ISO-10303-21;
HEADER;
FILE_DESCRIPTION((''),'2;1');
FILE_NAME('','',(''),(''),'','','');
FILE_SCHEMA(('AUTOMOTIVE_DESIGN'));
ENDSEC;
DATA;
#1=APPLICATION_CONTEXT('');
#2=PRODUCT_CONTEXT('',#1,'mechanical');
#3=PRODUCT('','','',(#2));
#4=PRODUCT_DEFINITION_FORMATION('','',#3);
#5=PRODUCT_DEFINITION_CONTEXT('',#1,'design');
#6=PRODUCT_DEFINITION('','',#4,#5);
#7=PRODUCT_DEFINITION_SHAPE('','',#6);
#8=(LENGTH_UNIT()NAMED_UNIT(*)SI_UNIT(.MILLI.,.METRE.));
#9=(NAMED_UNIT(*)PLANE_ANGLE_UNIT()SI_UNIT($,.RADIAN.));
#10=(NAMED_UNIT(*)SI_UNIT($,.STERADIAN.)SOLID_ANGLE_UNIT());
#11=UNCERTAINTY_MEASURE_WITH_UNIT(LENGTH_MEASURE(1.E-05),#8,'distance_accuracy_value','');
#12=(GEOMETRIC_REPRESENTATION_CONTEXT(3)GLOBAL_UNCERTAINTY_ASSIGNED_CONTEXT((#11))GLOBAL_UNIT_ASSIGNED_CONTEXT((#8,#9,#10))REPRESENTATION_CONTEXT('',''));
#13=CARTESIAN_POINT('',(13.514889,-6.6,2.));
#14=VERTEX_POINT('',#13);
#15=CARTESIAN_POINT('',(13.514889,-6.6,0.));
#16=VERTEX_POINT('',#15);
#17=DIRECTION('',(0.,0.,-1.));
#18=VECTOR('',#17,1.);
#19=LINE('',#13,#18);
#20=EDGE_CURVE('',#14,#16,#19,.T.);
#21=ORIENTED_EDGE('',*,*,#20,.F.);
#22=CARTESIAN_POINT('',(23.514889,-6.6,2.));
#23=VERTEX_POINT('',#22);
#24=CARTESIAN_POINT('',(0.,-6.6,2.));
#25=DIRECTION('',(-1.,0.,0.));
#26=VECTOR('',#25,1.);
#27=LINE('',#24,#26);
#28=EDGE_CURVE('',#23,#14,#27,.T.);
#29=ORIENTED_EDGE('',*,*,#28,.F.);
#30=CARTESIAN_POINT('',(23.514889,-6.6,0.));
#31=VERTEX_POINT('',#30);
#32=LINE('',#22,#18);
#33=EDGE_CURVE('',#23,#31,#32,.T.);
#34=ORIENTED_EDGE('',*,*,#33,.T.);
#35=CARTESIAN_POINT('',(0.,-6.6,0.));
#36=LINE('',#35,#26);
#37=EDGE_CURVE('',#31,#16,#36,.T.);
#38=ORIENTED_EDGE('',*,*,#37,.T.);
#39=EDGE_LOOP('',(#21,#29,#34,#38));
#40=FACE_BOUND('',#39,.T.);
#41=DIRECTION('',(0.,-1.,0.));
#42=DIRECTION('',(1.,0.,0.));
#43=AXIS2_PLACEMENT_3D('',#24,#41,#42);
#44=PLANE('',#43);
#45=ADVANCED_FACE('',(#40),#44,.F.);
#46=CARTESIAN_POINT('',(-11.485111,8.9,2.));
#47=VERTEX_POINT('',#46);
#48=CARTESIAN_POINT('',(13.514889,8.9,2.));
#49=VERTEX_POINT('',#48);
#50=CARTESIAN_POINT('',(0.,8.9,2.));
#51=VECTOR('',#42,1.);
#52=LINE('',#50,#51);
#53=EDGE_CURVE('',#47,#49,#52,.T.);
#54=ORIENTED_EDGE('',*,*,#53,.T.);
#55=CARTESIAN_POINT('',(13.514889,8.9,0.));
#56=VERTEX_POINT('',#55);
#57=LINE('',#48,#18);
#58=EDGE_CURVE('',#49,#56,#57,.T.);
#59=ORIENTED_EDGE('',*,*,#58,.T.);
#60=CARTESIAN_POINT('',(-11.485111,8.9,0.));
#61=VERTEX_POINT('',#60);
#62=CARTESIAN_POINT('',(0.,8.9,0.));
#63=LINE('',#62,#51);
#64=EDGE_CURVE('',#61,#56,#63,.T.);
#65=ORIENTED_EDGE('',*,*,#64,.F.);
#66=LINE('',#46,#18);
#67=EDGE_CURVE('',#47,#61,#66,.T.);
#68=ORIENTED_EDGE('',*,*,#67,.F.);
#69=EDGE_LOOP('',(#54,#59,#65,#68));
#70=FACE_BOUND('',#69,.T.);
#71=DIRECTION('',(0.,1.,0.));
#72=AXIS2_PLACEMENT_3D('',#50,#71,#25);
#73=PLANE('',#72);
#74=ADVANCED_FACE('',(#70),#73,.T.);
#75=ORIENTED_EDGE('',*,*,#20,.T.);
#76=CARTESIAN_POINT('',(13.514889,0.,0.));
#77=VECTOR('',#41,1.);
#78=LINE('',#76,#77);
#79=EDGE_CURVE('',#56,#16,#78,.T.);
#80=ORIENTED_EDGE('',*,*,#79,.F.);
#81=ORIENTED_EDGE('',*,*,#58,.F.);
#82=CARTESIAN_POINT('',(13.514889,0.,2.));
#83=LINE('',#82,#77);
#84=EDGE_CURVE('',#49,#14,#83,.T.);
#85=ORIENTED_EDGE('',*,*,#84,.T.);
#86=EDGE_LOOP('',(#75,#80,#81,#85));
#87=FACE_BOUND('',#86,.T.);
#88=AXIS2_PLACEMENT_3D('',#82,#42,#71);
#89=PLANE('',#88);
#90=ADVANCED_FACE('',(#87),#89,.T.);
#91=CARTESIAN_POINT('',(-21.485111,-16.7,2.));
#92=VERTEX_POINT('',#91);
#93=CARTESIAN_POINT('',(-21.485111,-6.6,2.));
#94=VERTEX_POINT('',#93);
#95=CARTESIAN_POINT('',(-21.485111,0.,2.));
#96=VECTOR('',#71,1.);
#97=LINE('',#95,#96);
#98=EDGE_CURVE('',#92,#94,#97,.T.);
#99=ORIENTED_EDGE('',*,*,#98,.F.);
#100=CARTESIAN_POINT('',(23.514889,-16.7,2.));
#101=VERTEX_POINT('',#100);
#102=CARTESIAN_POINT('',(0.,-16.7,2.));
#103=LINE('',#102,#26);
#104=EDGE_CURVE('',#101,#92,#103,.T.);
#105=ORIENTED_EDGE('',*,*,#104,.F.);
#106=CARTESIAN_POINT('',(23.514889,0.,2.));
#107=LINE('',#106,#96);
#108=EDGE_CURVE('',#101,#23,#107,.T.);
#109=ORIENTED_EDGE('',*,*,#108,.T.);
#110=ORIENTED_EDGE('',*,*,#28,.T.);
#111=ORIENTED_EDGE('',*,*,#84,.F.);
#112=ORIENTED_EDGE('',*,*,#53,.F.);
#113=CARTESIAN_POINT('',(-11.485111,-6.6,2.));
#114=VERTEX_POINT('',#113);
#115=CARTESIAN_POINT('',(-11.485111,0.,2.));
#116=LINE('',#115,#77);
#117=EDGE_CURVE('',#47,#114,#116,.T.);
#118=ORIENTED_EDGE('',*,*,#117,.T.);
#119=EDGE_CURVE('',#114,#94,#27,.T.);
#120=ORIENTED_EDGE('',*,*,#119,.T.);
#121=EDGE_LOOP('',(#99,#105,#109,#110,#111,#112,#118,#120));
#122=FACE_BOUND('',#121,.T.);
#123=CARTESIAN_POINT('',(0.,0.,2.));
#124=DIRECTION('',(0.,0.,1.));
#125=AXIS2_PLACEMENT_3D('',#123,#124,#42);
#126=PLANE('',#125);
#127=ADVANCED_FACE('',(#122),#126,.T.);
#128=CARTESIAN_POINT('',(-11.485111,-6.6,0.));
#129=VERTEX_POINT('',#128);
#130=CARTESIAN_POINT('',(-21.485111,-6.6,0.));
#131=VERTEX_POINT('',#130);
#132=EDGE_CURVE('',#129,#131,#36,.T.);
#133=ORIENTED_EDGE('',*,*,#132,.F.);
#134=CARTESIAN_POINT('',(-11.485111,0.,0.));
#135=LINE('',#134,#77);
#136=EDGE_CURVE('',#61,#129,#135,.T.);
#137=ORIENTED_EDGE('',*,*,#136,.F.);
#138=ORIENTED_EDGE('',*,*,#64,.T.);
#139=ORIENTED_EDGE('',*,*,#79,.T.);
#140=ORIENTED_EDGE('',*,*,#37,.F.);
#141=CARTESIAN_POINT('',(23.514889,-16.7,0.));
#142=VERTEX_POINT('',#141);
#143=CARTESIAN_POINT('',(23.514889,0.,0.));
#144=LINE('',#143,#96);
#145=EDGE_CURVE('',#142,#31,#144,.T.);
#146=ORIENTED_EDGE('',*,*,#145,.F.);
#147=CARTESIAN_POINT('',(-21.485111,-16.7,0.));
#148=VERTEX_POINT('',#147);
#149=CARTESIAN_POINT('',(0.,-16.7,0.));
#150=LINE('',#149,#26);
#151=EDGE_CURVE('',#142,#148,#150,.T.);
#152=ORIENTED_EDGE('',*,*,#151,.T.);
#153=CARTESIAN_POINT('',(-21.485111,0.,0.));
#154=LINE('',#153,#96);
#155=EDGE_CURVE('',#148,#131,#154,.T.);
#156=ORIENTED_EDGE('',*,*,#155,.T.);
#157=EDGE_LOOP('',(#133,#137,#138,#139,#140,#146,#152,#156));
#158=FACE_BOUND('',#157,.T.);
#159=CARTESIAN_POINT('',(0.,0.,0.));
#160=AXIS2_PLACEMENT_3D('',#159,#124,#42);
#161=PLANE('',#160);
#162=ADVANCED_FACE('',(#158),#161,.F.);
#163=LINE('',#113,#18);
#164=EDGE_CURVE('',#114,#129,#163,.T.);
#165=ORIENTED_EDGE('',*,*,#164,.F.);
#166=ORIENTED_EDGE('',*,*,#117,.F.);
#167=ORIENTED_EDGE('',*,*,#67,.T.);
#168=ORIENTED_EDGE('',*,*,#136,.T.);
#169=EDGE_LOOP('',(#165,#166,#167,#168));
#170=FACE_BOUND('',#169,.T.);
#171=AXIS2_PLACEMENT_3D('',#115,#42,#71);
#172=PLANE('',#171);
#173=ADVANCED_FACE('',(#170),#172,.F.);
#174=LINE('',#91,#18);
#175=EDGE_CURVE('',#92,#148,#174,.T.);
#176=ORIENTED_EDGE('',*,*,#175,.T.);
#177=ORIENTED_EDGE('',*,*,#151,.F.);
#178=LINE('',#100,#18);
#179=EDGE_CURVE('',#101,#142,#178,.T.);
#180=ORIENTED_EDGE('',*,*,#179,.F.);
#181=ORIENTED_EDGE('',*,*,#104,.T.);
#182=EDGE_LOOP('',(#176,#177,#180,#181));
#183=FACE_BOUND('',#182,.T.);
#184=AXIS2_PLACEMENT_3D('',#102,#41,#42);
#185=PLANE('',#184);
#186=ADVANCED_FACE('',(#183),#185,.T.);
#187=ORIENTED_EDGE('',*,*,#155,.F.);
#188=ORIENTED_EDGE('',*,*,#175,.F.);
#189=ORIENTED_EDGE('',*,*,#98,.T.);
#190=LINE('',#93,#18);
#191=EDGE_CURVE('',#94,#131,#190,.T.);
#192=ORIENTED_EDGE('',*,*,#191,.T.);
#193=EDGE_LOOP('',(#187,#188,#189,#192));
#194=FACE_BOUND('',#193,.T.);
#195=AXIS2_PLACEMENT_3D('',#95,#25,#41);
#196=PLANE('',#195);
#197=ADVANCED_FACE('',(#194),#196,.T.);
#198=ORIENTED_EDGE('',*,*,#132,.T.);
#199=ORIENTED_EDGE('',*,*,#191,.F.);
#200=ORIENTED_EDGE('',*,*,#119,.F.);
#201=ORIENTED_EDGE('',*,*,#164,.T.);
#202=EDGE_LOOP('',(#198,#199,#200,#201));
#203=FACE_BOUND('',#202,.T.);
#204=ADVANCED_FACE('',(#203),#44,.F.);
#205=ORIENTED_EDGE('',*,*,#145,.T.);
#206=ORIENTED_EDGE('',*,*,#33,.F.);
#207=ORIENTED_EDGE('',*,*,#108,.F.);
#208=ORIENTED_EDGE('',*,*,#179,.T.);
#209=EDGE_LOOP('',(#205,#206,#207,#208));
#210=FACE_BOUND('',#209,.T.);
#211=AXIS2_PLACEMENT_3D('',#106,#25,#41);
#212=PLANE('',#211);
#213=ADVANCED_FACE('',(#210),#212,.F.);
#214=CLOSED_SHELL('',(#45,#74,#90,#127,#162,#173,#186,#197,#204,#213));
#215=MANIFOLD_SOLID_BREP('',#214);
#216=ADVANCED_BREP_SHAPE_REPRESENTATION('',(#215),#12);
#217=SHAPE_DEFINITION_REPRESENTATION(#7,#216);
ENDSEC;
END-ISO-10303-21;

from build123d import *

# Parameters (mm, degrees)
SKETCH1_W           = 45
SKETCH1_H           = 10.1
SKETCH1_W_2         = 25
SKETCH1_H_2         = 15.5
BOSS_EXTRUDE1_DEPTH = 2


with BuildPart() as part:
    # Sketch1 → Boss-Extrude1 (new body)
    with BuildSketch(Plane.XY):
        with Locations((1.014889157, -11.65)):
            Rectangle(SKETCH1_W, SKETCH1_H)
        with Locations((1.014889157, 1.15)):
            Rectangle(SKETCH1_W_2, SKETCH1_H_2)
    extrude(amount=BOSS_EXTRUDE1_DEPTH)


solid = part.part
